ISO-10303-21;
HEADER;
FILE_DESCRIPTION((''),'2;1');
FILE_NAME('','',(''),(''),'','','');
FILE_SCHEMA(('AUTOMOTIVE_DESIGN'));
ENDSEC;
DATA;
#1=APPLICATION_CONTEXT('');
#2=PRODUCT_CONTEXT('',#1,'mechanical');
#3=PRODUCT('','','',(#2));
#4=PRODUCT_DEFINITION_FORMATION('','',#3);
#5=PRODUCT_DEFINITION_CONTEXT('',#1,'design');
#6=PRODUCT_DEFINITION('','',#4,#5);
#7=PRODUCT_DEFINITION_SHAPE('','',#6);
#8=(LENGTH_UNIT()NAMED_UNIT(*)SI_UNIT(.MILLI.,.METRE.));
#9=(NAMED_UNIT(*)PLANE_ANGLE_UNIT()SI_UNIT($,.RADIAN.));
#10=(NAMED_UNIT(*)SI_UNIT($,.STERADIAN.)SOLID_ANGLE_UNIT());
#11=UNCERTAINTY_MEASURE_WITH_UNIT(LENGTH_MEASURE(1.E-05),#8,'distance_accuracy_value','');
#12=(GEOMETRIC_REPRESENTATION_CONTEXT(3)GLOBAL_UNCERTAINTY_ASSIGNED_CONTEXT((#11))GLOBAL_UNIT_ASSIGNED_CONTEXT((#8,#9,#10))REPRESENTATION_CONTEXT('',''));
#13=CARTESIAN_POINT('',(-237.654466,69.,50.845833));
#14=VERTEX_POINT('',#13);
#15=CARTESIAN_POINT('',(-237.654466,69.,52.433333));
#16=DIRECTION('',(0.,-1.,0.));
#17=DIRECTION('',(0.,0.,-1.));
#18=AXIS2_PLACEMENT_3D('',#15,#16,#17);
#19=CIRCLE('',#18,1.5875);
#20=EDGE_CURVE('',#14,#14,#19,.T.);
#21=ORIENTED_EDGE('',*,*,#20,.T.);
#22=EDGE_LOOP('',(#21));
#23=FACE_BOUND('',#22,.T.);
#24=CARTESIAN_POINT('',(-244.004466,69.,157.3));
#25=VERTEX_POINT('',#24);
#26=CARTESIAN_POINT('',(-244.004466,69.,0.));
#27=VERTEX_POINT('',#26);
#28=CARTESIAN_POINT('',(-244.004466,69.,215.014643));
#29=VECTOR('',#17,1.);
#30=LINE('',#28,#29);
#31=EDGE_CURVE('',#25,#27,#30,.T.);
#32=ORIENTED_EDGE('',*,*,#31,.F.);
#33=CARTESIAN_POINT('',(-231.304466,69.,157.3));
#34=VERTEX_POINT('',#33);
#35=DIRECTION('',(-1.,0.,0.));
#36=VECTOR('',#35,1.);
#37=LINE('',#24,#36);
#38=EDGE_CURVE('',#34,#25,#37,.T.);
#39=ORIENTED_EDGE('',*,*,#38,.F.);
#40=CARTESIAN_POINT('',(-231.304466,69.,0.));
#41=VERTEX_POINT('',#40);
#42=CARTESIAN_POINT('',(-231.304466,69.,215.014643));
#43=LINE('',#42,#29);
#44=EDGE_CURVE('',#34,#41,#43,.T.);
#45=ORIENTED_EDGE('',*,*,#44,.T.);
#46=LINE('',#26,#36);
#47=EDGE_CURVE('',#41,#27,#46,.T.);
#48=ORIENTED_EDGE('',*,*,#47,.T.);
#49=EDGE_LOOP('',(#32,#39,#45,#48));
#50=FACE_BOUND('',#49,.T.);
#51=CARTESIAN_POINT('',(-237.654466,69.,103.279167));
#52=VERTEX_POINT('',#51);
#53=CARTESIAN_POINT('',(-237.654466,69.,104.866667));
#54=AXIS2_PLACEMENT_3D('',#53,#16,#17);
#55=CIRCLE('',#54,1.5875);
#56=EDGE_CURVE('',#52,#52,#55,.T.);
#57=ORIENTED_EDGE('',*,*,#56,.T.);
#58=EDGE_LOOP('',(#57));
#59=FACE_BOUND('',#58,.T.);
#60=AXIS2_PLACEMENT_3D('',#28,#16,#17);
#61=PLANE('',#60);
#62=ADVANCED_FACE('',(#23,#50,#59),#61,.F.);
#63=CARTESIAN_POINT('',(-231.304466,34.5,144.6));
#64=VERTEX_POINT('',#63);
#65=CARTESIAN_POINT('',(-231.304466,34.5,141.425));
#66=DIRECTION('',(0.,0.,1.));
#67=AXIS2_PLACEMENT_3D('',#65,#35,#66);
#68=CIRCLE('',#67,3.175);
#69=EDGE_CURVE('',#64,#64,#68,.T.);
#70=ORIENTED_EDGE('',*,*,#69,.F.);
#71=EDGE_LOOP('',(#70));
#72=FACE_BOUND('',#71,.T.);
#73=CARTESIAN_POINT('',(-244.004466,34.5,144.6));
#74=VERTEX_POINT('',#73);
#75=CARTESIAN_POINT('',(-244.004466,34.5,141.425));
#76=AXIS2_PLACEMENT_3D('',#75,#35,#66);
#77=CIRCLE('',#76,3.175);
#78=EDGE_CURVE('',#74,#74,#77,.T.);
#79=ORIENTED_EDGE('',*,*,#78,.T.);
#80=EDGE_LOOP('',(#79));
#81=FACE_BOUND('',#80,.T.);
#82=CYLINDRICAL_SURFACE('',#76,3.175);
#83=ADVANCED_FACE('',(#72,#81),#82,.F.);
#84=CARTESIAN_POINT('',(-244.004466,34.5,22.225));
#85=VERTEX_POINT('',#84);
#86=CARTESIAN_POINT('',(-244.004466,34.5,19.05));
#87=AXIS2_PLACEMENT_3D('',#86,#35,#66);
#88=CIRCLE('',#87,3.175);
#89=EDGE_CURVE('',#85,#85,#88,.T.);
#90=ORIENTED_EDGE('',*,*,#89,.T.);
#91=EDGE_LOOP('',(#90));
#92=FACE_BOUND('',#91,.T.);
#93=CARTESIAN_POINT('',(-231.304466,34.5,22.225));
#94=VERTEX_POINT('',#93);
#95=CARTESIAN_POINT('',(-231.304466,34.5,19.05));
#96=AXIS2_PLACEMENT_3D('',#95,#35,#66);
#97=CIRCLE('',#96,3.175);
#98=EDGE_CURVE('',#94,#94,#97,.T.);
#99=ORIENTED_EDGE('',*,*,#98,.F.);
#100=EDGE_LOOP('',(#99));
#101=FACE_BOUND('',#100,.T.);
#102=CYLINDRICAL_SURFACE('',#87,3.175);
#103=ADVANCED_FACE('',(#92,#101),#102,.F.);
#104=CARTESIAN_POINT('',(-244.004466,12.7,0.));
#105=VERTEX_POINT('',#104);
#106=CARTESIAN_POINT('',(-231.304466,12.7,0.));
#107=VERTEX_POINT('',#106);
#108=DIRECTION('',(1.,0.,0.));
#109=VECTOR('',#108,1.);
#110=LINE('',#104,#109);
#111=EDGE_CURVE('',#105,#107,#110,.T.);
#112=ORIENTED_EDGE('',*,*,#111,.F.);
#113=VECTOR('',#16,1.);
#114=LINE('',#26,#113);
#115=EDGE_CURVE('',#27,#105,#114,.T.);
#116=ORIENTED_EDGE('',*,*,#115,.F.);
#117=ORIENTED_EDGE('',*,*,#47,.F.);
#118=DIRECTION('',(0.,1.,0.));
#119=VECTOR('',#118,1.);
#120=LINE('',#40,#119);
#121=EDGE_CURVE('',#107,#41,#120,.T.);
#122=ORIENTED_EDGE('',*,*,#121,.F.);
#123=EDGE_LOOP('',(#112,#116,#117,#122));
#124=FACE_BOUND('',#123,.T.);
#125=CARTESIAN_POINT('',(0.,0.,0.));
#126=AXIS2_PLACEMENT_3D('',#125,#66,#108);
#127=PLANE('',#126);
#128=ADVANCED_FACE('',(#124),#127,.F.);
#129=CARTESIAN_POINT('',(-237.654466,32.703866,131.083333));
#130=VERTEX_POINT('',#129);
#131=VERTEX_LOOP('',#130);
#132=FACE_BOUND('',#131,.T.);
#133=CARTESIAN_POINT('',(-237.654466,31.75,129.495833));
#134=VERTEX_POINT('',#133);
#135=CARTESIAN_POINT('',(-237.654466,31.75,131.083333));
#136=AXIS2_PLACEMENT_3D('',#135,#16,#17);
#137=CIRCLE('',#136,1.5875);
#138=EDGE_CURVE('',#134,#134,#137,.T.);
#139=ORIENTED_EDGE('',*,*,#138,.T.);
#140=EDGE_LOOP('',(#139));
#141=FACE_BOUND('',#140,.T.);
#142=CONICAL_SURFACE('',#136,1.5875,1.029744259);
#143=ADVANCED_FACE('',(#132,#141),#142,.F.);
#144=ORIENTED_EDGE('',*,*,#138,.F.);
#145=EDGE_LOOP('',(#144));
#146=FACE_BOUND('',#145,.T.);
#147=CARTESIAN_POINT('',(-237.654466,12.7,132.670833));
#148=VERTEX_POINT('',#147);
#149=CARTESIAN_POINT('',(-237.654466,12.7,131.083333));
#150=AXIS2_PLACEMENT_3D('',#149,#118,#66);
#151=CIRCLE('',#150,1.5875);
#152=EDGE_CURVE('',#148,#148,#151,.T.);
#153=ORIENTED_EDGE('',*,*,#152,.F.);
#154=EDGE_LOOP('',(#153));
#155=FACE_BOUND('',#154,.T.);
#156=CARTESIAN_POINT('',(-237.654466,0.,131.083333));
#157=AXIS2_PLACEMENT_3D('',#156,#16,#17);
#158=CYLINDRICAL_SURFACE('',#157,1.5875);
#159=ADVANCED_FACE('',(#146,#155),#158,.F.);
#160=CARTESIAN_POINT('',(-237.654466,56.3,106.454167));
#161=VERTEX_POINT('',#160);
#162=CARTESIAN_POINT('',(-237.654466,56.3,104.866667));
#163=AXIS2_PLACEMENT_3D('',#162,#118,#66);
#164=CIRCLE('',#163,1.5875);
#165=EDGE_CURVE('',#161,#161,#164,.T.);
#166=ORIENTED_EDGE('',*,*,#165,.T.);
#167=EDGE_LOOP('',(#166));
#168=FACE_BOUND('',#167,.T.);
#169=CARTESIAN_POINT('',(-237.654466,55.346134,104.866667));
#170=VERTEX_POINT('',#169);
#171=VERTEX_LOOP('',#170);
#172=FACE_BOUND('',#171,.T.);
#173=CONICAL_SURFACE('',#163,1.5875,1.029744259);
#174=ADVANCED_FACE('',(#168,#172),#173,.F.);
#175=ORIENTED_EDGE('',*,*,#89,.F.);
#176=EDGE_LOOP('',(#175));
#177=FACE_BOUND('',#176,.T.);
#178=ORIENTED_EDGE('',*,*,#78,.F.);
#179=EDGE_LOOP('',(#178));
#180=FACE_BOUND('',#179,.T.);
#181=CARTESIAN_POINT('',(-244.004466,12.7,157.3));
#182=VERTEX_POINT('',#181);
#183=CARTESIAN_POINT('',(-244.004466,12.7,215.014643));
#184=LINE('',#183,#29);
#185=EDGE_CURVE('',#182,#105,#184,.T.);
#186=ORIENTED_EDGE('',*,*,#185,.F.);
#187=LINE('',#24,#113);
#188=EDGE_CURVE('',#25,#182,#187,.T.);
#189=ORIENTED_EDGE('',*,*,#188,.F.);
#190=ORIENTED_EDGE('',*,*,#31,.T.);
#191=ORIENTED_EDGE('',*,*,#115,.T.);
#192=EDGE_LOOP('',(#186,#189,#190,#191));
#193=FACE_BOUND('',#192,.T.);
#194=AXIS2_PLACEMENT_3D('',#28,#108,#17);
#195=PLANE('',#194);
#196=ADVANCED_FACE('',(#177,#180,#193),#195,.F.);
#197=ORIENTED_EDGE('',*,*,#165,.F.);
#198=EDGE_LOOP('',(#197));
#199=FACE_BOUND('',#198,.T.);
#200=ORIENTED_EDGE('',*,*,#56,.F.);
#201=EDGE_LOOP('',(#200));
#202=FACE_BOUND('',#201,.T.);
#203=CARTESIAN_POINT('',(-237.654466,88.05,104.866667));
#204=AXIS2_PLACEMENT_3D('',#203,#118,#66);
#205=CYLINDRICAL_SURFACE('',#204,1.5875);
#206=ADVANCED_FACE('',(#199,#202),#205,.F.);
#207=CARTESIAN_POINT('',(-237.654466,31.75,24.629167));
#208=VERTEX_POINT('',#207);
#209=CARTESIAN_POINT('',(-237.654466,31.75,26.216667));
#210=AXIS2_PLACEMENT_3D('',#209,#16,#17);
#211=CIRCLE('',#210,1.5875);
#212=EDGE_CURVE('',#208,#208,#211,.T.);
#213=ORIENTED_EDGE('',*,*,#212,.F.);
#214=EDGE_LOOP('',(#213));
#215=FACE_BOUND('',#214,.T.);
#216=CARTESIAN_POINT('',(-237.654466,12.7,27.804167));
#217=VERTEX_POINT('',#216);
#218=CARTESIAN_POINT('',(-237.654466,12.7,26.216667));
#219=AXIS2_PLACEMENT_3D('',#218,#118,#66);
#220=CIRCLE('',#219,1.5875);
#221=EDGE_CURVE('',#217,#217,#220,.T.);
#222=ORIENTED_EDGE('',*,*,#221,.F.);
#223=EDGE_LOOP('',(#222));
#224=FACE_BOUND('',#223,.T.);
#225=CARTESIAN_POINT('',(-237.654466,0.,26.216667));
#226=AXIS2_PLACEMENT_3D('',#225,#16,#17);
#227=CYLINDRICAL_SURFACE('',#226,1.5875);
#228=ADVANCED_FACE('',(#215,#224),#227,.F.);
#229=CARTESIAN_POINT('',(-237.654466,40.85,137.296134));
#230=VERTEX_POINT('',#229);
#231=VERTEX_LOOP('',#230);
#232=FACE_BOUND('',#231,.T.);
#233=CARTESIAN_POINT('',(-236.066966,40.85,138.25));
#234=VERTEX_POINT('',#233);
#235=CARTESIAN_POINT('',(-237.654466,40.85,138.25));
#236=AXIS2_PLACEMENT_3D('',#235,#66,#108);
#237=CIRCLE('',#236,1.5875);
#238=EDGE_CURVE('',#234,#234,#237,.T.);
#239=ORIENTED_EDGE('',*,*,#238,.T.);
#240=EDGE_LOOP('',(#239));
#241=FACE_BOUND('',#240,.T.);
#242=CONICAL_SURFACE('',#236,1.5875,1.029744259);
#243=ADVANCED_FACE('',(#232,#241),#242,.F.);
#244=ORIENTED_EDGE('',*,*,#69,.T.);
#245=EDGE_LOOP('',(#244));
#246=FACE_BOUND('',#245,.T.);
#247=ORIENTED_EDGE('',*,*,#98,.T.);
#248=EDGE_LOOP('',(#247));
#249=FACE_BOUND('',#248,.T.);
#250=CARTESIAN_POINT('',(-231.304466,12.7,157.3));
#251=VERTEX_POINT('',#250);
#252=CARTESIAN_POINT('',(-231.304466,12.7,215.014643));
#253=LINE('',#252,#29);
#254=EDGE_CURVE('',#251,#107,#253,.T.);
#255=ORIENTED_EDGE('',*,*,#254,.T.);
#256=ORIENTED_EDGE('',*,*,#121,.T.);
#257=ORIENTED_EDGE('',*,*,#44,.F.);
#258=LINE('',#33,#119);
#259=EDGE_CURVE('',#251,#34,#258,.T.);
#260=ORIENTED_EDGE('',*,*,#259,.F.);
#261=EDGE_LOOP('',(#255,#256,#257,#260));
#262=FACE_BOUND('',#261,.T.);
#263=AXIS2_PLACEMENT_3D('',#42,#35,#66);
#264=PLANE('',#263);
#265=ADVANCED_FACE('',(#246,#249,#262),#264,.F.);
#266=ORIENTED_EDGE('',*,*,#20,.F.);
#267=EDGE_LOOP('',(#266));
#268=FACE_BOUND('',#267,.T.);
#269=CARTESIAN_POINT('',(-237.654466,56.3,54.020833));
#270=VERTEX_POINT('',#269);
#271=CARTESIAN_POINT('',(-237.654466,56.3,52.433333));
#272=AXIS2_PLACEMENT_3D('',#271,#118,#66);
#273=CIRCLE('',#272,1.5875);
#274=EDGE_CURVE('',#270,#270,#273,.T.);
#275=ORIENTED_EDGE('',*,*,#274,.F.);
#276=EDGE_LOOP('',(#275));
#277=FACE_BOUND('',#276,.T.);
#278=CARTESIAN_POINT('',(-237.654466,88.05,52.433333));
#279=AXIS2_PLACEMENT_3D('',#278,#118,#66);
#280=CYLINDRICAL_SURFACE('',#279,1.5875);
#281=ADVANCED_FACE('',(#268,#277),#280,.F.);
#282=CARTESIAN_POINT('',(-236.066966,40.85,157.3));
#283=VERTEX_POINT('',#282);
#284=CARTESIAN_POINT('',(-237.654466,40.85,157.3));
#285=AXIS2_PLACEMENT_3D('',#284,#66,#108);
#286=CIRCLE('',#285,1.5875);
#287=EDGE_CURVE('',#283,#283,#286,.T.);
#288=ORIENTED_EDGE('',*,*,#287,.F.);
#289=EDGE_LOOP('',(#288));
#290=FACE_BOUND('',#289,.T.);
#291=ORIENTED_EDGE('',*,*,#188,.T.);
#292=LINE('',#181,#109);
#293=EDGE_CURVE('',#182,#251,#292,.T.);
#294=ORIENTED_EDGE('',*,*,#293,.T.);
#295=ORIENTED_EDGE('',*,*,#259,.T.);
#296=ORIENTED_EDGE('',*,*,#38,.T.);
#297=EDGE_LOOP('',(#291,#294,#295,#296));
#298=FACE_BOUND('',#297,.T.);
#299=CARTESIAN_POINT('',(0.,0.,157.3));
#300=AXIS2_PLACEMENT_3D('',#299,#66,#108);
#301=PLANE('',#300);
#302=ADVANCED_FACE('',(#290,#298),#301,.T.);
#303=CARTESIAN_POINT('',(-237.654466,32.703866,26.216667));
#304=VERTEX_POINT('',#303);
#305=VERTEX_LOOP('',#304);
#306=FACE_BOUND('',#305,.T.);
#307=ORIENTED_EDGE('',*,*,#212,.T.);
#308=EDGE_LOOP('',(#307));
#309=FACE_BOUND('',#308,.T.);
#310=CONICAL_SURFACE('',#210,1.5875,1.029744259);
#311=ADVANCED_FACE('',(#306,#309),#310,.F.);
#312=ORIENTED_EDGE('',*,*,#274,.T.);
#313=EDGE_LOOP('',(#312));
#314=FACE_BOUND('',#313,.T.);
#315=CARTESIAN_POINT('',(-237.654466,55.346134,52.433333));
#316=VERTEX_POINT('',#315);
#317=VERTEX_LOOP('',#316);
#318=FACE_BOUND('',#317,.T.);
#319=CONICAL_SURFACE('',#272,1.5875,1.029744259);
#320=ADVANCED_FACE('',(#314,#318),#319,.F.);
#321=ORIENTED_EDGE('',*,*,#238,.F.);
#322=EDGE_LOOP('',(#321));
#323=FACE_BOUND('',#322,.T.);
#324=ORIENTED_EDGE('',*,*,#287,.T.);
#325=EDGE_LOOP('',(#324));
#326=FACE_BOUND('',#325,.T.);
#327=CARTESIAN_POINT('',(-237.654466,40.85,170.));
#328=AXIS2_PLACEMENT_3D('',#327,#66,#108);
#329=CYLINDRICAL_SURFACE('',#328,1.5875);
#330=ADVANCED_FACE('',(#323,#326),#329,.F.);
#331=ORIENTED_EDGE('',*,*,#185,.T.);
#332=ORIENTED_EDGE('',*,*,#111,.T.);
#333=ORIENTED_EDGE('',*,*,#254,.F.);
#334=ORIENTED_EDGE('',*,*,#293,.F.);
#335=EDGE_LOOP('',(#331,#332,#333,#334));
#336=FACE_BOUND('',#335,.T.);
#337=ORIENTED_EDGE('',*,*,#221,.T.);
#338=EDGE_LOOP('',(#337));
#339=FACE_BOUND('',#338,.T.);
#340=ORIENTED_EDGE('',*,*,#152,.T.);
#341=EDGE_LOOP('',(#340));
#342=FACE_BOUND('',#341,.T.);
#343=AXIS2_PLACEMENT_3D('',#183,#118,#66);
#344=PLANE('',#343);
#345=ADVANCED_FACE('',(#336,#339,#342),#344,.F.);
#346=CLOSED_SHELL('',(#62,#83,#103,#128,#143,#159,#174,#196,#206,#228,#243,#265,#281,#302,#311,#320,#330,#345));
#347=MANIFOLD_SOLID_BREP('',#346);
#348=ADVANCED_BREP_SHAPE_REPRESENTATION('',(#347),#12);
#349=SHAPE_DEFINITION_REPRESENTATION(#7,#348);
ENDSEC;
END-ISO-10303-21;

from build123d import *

# Parameters (mm, degrees)
SKETCH1_W                   = 12.7
SKETCH1_H                   = 56.3
BOSS_EXTRUDE1_DEPTH         = 157.3
HOLE1_D                     = 3.175
HOLE1_DEPTH                 = 31.75
HOLE1_CSINK_D               = 10.16
HOLE1_CSINK_ANGLE           = 82
HOLE1_TIP                   = 0.953866233
HOLE2_D                     = 3.175
HOLE2_DEPTH                 = 31.75
HOLE2_CSINK_D               = 10.16
HOLE2_CSINK_ANGLE           = 82
HOLE2_TIP                   = 0.953866233
HOLE_D                      = 3.175
HOLE_DEPTH                  = 31.75
HOLE_CSINK_D                = 10.16
HOLE_CSINK_ANGLE            = 82
HOLE_TIP                    = 0.953866233
HOLE3_D                     = 3.175
HOLE3_DEPTH                 = 31.75
HOLE3_CSINK_D               = 10.16
HOLE3_CSINK_ANGLE           = 82
HOLE3_TIP                   = 0.953866233
HOLE4_D                     = 3.175
HOLE4_DEPTH                 = 31.75
HOLE4_CSINK_D               = 10.16
HOLE4_CSINK_ANGLE           = 82
HOLE4_TIP                   = 0.953866233
F_1_4_0_25_DIAMETER_HOLE1_D = 6.35


with BuildPart() as part:
    # Sketch1 → Boss-Extrude1 (new body)
    with BuildSketch(Plane.XY):
        with Locations((-237.654465963, 40.85)):
            Rectangle(SKETCH1_W, SKETCH1_H)
    extrude(amount=BOSS_EXTRUDE1_DEPTH)

    # Hole1
    with Locations(Plane(origin=(-124.004465969, 0, 2.275709941), x_dir=(1, 0, 0), z_dir=(0, -1, 0))):
        with Locations((113.649999994, 128.807623392), (113.649999994, 23.940956725), (-94.599999994, 161.374290059), (94.599999994, 161.374290059), (0, 161.374290059), (0, 193.124290059), (0, 440.553783621), (0, 301.970350905), (40.979166666, 301.970350905), (166.795833328, 301.970350905), (207.774999994, 440.553783621), (207.774999994, 333.02141023), (207.774999994, 225.48903684), (207.774999994, 137.424290059), (207.774999994, 10.424290059), (-207.774999994, 10.424290059), (-207.774999994, 137.424290059), (-207.774999994, 225.48903684), (-207.774999994, 333.02141023), (-207.774999994, 440.553783621), (-166.795833328, 301.970350905), (-40.979166666, 301.970350905), (-113.649999994, 23.940956725), (-113.649999994, 128.807623392)):
            CounterSinkHole(HOLE1_D / 2, HOLE1_CSINK_D / 2, depth=HOLE1_DEPTH, counter_sink_angle=HOLE1_CSINK_ANGLE)
            with Locations((0, 0, -(HOLE1_DEPTH + HOLE1_TIP / 2))):  # 118° drill point
                Cone(0, HOLE1_D / 2, HOLE1_TIP, mode=Mode.SUBTRACT)

    # Hole2
    with Locations(Plane(origin=(-124.004465969, 0, 155.024290059), x_dir=(-1, 0, 0), z_dir=(0, -1, 0))):
        with Locations((113.649999994, 128.807623392), (113.649999994, 23.940956725), (-94.599999994, 161.374290059), (94.599999994, 161.374290059), (0, 161.374290059), (0, 193.124290059), (0, 440.553783621), (0, 301.970350905), (40.979166666, 301.970350905), (166.795833328, 301.970350905), (207.774999994, 440.553783621), (207.774999994, 333.02141023), (207.774999994, 225.48903684), (207.774999994, 137.424290059), (207.774999994, 10.424290059), (-207.774999994, 10.424290059), (-207.774999994, 137.424290059), (-207.774999994, 225.48903684), (-207.774999994, 333.02141023), (-207.774999994, 440.553783621), (-166.795833328, 301.970350905), (-40.979166666, 301.970350905), (-113.649999994, 23.940956725), (-113.649999994, 128.807623392)):
            CounterSinkHole(HOLE2_D / 2, HOLE2_CSINK_D / 2, depth=HOLE2_DEPTH, counter_sink_angle=HOLE2_CSINK_ANGLE)
            with Locations((0, 0, -(HOLE2_DEPTH + HOLE2_TIP / 2))):  # 118° drill point
                Cone(0, HOLE2_D / 2, HOLE2_TIP, mode=Mode.SUBTRACT)

    # Hole
    with Locations(Plane(origin=(-124.004465969, 277.286738577, 170), x_dir=(-1, 0, 0), z_dir=(0, 0, 1))):
        with Locations((113.649999994, 236.436738577), (207.774999994, 236.436738577)):
            CounterSinkHole(HOLE_D / 2, HOLE_CSINK_D / 2, depth=HOLE_DEPTH, counter_sink_angle=HOLE_CSINK_ANGLE)
            with Locations((0, 0, -(HOLE_DEPTH + HOLE_TIP / 2))):  # 118° drill point
                Cone(0, HOLE_D / 2, HOLE_TIP, mode=Mode.SUBTRACT)

    # Hole3
    with Locations(Plane(origin=(-124.004465969, 88.05, 155.024290059), x_dir=(1, 0, 0), z_dir=(0, 1, 0))):
        with Locations((-162.299999994, -8.625709941), (-113.649999994, 50.157623392), (-113.649999994, 102.590956725), (162.299999994, -8.625709941), (113.649999994, 50.157623392), (113.649999994, 102.590956725), (63.85, 161.374290059), (0, 161.374290059), (-63.85, 161.374290059)):
            CounterSinkHole(HOLE3_D / 2, HOLE3_CSINK_D / 2, depth=HOLE3_DEPTH, counter_sink_angle=HOLE3_CSINK_ANGLE)
            with Locations((0, 0, -(HOLE3_DEPTH + HOLE3_TIP / 2))):  # 118° drill point
                Cone(0, HOLE3_D / 2, HOLE3_TIP, mode=Mode.SUBTRACT)

    # Hole4
    with Locations(Plane(origin=(-124.004465969, 88.05, 2.275709941), x_dir=(-1, 0, 0), z_dir=(0, 1, 0))):
        with Locations((-162.299999994, -8.625709941), (-113.649999994, 50.157623392), (-113.649999994, 102.590956725), (162.299999994, -8.625709941), (113.649999994, 50.157623392), (113.649999994, 102.590956725), (63.85, 161.374290059), (0, 161.374290059), (-63.85, 161.374290059)):
            CounterSinkHole(HOLE4_D / 2, HOLE4_CSINK_D / 2, depth=HOLE4_DEPTH, counter_sink_angle=HOLE4_CSINK_ANGLE)
            with Locations((0, 0, -(HOLE4_DEPTH + HOLE4_TIP / 2))):  # 118° drill point
                Cone(0, HOLE4_D / 2, HOLE4_TIP, mode=Mode.SUBTRACT)

    # 1/4 (0.25) Diameter Hole1 (through all)
    with Locations(Plane.ZY.offset(244.004465963)):
        with Locations((141.425, 34.5), (19.05, 34.5)):
            Hole(F_1_4_0_25_DIAMETER_HOLE1_D / 2)


solid = part.part
